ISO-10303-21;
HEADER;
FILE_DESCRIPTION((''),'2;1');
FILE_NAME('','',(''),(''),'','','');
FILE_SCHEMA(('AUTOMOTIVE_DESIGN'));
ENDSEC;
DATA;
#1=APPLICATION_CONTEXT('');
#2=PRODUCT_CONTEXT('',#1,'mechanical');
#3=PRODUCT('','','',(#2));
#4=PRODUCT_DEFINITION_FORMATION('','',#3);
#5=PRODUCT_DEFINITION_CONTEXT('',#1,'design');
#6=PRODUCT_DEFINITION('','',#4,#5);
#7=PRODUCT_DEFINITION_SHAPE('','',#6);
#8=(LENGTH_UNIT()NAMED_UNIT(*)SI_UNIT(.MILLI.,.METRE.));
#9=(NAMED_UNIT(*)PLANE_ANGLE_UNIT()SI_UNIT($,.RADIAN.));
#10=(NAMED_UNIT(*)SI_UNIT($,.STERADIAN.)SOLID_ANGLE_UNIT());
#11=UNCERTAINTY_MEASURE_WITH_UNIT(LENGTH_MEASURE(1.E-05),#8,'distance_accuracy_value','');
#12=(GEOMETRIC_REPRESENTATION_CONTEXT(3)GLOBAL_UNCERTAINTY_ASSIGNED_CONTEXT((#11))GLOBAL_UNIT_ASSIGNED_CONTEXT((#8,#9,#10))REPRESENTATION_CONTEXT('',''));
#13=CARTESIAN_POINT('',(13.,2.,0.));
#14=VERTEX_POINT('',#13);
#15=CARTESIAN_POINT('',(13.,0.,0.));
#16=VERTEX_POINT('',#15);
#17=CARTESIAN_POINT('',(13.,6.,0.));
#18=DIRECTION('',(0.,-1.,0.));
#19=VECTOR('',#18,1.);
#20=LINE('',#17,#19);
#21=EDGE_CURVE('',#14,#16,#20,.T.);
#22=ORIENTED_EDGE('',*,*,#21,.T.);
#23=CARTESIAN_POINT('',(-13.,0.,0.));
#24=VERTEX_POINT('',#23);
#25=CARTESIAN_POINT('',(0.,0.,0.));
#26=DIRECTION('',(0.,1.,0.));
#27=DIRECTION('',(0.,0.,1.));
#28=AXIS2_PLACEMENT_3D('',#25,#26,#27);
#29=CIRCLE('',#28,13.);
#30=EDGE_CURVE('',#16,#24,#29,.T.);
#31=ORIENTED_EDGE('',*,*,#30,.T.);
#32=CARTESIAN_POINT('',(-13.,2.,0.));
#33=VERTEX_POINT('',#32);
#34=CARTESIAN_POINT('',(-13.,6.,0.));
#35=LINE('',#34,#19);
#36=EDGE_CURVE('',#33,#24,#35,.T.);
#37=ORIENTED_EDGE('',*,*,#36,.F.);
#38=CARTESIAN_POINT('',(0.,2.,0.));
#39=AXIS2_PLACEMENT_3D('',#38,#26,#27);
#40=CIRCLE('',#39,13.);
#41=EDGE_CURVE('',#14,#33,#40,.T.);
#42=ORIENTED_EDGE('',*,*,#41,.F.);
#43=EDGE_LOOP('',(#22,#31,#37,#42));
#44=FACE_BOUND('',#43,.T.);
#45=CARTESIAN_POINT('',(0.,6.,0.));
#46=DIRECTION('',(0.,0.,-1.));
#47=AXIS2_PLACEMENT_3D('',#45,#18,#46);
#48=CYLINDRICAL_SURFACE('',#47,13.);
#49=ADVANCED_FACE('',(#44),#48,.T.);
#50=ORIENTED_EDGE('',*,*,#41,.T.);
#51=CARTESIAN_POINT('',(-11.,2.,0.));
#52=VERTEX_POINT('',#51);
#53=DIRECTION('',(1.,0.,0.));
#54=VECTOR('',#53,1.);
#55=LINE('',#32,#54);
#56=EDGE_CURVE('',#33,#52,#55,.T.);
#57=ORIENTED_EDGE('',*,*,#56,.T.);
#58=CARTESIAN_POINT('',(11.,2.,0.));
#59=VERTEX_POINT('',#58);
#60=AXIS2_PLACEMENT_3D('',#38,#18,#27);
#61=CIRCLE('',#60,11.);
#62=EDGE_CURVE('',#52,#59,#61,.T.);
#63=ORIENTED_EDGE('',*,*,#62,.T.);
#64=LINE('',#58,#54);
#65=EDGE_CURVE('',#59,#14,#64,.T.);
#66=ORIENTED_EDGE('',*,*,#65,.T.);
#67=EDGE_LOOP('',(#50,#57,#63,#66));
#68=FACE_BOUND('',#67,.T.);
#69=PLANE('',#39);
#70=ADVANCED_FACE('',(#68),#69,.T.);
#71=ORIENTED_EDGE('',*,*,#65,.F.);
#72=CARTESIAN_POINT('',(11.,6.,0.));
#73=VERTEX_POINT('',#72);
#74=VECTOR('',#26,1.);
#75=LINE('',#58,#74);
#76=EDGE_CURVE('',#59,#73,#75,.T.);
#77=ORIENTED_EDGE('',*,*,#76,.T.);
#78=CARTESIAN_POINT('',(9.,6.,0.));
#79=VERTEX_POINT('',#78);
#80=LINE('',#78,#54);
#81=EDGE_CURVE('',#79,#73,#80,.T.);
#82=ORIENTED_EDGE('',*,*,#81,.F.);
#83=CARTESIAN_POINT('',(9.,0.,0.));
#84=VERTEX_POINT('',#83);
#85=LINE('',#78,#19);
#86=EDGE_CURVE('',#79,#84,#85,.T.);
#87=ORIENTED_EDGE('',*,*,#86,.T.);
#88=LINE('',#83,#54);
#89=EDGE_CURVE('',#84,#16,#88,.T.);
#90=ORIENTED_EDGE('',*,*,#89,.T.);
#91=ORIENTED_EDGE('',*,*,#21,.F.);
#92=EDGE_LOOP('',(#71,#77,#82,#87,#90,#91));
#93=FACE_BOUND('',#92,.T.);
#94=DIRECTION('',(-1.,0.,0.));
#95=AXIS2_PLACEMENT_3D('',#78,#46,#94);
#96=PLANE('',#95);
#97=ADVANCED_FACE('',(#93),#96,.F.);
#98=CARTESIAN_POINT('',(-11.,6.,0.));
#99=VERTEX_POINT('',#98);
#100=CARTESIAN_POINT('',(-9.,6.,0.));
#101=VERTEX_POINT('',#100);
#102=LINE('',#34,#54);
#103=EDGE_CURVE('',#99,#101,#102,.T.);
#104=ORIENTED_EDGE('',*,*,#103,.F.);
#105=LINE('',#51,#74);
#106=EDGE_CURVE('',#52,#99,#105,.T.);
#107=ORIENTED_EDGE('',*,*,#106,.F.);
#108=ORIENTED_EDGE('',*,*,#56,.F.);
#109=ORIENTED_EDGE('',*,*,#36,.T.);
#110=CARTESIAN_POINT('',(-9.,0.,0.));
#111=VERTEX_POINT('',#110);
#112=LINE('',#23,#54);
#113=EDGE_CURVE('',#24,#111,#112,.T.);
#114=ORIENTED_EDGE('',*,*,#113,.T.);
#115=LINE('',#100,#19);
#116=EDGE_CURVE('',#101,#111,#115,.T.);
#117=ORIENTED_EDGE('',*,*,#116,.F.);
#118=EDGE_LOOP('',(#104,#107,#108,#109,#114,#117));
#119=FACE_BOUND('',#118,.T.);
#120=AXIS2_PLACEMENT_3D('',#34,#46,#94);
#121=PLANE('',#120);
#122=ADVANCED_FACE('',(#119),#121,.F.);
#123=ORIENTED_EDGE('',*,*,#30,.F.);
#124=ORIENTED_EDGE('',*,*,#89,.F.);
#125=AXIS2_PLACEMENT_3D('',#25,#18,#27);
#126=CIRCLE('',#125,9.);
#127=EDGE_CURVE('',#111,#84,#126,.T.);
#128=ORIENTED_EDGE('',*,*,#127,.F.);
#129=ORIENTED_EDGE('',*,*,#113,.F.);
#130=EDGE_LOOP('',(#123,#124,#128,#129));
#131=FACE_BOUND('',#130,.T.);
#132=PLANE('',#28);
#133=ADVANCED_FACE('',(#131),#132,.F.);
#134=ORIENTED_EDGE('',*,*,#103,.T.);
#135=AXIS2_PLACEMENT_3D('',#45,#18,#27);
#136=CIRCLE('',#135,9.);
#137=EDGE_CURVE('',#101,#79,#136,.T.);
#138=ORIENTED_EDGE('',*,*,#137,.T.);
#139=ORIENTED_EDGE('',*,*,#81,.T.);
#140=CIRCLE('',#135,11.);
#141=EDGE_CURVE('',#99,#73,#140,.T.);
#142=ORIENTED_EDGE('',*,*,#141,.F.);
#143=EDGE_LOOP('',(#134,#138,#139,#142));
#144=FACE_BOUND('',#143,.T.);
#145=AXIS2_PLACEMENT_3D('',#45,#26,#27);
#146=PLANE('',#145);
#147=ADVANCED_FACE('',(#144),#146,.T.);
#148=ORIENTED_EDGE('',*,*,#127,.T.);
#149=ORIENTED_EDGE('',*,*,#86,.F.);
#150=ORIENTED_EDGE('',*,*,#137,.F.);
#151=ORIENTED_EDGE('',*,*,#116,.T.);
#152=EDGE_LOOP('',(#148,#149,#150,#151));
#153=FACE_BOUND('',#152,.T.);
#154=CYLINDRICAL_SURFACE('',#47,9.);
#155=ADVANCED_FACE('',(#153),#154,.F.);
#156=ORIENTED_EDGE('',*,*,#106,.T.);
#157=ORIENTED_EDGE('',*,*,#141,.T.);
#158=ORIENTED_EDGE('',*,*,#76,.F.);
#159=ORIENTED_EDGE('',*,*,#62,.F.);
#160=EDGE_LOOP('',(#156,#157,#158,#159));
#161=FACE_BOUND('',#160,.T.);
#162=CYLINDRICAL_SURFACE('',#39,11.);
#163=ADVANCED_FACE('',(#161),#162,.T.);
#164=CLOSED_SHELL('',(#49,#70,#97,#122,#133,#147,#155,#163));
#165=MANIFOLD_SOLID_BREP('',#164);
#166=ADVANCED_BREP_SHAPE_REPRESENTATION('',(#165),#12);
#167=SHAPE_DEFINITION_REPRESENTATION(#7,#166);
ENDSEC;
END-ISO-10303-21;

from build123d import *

# Parameters (mm, degrees)
BOSS_EXTRUDE1_DEPTH = 6
CUT_EXTRUDE1_DEPTH  = 4


with BuildPart() as part:
    # Sketch1 → Boss-Extrude1 (new body)
    with BuildSketch(Plane(origin=(0, 0, 0), x_dir=(1, 0, 0), z_dir=(0, 1, 0))):
        with BuildLine():
            Line((-13, 0), (-9, 0))
            ThreePointArc((-9, 0), (0, 9), (9, 0))
            Line((9, 0), (13, 0))
            ThreePointArc((13, 0), (0, 13), (-13, 0))
        make_face()
    extrude(amount=BOSS_EXTRUDE1_DEPTH)

    # Sketch2 → Cut-Extrude1 (cut)
    with BuildSketch(Plane(origin=(0, 6, 0), x_dir=(1, 0, 0), z_dir=(0, 1, 0))):
        with BuildLine():
            Line((-13, 0), (-11, 0))
            ThreePointArc((-11, 0), (0, 11), (11, 0))
            Line((11, 0), (13, 0))
            ThreePointArc((13, 0), (0, 13), (-13, 0))
        make_face()
    extrude(amount=-CUT_EXTRUDE1_DEPTH, mode=Mode.SUBTRACT)


solid = part.part
